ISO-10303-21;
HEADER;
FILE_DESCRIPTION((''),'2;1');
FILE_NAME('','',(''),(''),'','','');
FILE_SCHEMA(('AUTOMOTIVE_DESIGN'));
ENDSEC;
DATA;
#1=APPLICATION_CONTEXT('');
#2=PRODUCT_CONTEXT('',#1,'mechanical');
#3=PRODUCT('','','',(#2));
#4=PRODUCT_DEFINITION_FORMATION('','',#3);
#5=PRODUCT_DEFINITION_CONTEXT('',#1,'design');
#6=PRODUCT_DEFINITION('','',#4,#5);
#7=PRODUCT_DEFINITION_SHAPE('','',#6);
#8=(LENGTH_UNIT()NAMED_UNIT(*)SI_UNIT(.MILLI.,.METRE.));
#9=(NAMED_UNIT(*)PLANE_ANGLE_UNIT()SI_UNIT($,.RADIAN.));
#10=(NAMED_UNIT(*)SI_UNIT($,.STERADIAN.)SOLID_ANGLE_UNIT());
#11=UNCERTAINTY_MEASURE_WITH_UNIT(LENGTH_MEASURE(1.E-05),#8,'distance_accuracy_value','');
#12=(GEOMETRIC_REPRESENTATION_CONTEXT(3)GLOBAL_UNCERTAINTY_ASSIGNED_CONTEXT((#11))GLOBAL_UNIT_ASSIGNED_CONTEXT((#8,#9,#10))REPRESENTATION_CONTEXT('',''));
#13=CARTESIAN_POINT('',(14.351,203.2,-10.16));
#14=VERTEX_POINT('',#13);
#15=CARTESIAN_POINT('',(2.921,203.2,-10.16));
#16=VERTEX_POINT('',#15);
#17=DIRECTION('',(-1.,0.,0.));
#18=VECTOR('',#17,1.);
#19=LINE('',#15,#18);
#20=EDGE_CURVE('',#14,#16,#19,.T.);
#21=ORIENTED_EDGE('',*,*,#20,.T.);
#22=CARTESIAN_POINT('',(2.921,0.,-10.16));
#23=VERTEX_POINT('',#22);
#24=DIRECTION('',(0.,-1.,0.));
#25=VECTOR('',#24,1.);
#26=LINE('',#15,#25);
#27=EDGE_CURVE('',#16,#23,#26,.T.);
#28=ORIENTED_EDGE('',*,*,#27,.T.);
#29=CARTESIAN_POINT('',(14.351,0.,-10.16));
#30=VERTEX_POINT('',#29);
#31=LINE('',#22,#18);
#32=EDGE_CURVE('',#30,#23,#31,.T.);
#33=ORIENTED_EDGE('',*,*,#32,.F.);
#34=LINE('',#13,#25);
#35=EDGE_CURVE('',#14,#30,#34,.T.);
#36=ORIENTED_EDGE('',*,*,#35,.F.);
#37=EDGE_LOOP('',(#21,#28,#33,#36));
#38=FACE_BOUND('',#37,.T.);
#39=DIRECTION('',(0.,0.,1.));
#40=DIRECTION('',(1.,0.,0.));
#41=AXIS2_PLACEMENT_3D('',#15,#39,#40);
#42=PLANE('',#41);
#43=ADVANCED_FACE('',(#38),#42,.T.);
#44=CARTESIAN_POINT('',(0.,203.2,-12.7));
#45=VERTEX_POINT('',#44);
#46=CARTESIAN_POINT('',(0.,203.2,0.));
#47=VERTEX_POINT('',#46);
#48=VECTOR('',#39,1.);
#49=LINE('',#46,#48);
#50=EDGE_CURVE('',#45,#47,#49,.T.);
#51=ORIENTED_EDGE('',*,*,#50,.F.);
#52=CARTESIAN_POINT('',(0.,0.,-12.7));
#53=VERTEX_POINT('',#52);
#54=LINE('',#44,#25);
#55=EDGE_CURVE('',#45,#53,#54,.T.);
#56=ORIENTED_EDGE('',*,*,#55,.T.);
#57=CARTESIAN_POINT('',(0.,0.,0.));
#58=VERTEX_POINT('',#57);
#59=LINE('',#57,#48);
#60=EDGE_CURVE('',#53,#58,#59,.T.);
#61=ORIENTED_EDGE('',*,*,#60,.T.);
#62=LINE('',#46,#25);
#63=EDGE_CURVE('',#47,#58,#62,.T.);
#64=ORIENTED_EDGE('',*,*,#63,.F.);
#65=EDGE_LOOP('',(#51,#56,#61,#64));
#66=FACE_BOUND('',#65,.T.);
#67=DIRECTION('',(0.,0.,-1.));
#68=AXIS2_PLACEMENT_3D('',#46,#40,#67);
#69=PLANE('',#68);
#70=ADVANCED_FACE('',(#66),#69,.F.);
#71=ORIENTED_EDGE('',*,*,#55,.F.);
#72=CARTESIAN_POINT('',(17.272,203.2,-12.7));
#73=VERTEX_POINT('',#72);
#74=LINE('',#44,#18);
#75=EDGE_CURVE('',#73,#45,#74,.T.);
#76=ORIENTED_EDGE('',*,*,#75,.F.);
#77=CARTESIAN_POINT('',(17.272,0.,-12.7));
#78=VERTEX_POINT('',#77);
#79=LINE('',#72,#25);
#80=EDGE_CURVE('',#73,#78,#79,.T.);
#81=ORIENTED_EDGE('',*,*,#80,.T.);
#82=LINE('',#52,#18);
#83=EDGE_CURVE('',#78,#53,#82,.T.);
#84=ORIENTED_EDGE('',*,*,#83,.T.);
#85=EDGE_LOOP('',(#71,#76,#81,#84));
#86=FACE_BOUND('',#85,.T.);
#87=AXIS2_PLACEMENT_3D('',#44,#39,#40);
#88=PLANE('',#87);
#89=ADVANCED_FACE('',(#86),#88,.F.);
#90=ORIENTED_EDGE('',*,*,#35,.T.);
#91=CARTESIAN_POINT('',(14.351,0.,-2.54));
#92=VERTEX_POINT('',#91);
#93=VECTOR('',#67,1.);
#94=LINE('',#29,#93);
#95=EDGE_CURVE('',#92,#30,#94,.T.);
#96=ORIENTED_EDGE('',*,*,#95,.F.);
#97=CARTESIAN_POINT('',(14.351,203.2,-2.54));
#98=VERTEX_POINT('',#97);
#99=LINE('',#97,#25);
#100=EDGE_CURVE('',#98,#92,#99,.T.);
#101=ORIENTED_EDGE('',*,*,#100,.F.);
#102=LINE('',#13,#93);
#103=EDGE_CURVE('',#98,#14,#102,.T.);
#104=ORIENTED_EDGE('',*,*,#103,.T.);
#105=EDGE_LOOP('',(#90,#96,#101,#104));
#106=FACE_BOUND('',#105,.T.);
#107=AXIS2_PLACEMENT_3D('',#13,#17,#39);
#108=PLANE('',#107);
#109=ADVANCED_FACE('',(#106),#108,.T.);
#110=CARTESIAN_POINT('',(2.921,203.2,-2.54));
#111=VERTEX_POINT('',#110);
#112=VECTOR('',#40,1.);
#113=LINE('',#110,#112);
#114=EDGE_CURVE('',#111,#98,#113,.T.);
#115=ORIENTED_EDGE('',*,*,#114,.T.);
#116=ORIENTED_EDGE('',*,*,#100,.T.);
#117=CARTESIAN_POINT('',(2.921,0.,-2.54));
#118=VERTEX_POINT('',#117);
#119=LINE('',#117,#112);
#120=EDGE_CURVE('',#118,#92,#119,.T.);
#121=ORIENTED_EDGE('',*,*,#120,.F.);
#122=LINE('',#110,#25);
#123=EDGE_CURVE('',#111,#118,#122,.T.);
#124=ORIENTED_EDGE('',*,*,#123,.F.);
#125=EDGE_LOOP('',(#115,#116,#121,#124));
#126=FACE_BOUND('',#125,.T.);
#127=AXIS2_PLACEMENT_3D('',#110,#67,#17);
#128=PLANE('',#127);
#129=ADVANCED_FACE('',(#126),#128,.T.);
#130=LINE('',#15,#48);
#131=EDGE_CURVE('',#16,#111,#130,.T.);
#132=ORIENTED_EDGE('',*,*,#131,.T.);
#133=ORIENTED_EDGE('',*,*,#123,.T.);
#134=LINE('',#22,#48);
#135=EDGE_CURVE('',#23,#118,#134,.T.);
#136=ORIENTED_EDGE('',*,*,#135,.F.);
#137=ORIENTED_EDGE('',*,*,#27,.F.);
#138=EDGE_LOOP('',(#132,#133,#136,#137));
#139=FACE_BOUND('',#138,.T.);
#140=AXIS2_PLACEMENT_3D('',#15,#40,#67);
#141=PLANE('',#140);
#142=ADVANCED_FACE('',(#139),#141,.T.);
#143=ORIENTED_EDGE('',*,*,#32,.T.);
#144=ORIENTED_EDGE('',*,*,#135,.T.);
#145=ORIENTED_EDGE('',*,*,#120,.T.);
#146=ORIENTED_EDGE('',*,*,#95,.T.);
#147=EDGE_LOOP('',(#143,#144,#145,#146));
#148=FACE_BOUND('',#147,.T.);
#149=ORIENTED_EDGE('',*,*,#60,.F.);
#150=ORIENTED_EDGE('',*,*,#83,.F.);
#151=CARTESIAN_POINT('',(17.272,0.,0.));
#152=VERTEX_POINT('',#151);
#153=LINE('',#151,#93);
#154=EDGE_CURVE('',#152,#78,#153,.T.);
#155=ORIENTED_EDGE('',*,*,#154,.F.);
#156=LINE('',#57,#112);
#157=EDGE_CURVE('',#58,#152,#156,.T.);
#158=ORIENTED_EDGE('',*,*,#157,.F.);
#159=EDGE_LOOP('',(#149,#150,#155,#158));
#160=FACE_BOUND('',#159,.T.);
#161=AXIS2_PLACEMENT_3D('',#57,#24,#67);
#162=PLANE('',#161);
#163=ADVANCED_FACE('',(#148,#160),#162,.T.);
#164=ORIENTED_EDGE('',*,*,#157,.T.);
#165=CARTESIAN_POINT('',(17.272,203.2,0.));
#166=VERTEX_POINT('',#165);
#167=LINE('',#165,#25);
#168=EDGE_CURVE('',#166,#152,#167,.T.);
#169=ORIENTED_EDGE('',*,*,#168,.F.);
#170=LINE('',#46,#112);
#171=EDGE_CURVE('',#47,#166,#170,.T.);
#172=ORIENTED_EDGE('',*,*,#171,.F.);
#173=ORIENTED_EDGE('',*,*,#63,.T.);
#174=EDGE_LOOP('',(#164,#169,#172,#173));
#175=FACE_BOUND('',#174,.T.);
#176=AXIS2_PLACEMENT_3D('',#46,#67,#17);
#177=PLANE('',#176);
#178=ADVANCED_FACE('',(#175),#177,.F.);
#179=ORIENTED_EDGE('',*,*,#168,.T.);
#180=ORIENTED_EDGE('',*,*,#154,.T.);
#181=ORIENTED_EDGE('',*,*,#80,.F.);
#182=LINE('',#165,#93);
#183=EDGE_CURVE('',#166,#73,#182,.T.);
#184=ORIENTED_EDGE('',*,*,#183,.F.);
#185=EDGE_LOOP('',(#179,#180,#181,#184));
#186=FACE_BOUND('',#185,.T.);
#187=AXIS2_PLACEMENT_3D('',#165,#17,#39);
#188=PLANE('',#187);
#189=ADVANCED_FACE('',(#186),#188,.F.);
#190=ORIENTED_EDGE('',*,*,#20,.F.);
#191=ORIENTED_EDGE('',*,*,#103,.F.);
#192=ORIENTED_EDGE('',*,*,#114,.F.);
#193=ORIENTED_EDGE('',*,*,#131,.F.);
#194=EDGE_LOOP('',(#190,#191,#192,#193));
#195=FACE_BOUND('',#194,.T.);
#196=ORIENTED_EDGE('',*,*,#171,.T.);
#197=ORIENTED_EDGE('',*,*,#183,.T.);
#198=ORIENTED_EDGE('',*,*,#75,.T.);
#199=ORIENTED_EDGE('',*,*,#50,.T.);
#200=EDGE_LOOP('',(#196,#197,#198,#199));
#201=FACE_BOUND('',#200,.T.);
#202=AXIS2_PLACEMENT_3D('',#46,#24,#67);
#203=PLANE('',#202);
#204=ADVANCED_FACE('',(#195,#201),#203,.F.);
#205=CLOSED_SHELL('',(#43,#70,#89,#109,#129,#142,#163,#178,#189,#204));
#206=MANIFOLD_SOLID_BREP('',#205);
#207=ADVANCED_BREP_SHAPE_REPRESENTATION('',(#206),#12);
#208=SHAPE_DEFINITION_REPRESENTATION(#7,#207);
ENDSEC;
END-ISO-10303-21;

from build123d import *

# Parameters (mm, degrees)
SKETCH1_W           = 17.272
SKETCH1_H           = 12.7
SKETCH1_W_2         = 11.43
SKETCH1_H_2         = 7.62
BOSS_EXTRUDE1_DEPTH = 203.2


with BuildPart() as part:
    # Sketch1 → Boss-Extrude1 (new body)
    with BuildSketch(Plane(origin=(0, 0, 0), x_dir=(1, 0, 0), z_dir=(0, 1, 0))):
        with Locations((8.636, 6.35)):
            Rectangle(SKETCH1_W, SKETCH1_H)
        with Locations((8.636, 6.35)):
            Rectangle(SKETCH1_W_2, SKETCH1_H_2, mode=Mode.SUBTRACT)
    extrude(amount=BOSS_EXTRUDE1_DEPTH)


solid = part.part
